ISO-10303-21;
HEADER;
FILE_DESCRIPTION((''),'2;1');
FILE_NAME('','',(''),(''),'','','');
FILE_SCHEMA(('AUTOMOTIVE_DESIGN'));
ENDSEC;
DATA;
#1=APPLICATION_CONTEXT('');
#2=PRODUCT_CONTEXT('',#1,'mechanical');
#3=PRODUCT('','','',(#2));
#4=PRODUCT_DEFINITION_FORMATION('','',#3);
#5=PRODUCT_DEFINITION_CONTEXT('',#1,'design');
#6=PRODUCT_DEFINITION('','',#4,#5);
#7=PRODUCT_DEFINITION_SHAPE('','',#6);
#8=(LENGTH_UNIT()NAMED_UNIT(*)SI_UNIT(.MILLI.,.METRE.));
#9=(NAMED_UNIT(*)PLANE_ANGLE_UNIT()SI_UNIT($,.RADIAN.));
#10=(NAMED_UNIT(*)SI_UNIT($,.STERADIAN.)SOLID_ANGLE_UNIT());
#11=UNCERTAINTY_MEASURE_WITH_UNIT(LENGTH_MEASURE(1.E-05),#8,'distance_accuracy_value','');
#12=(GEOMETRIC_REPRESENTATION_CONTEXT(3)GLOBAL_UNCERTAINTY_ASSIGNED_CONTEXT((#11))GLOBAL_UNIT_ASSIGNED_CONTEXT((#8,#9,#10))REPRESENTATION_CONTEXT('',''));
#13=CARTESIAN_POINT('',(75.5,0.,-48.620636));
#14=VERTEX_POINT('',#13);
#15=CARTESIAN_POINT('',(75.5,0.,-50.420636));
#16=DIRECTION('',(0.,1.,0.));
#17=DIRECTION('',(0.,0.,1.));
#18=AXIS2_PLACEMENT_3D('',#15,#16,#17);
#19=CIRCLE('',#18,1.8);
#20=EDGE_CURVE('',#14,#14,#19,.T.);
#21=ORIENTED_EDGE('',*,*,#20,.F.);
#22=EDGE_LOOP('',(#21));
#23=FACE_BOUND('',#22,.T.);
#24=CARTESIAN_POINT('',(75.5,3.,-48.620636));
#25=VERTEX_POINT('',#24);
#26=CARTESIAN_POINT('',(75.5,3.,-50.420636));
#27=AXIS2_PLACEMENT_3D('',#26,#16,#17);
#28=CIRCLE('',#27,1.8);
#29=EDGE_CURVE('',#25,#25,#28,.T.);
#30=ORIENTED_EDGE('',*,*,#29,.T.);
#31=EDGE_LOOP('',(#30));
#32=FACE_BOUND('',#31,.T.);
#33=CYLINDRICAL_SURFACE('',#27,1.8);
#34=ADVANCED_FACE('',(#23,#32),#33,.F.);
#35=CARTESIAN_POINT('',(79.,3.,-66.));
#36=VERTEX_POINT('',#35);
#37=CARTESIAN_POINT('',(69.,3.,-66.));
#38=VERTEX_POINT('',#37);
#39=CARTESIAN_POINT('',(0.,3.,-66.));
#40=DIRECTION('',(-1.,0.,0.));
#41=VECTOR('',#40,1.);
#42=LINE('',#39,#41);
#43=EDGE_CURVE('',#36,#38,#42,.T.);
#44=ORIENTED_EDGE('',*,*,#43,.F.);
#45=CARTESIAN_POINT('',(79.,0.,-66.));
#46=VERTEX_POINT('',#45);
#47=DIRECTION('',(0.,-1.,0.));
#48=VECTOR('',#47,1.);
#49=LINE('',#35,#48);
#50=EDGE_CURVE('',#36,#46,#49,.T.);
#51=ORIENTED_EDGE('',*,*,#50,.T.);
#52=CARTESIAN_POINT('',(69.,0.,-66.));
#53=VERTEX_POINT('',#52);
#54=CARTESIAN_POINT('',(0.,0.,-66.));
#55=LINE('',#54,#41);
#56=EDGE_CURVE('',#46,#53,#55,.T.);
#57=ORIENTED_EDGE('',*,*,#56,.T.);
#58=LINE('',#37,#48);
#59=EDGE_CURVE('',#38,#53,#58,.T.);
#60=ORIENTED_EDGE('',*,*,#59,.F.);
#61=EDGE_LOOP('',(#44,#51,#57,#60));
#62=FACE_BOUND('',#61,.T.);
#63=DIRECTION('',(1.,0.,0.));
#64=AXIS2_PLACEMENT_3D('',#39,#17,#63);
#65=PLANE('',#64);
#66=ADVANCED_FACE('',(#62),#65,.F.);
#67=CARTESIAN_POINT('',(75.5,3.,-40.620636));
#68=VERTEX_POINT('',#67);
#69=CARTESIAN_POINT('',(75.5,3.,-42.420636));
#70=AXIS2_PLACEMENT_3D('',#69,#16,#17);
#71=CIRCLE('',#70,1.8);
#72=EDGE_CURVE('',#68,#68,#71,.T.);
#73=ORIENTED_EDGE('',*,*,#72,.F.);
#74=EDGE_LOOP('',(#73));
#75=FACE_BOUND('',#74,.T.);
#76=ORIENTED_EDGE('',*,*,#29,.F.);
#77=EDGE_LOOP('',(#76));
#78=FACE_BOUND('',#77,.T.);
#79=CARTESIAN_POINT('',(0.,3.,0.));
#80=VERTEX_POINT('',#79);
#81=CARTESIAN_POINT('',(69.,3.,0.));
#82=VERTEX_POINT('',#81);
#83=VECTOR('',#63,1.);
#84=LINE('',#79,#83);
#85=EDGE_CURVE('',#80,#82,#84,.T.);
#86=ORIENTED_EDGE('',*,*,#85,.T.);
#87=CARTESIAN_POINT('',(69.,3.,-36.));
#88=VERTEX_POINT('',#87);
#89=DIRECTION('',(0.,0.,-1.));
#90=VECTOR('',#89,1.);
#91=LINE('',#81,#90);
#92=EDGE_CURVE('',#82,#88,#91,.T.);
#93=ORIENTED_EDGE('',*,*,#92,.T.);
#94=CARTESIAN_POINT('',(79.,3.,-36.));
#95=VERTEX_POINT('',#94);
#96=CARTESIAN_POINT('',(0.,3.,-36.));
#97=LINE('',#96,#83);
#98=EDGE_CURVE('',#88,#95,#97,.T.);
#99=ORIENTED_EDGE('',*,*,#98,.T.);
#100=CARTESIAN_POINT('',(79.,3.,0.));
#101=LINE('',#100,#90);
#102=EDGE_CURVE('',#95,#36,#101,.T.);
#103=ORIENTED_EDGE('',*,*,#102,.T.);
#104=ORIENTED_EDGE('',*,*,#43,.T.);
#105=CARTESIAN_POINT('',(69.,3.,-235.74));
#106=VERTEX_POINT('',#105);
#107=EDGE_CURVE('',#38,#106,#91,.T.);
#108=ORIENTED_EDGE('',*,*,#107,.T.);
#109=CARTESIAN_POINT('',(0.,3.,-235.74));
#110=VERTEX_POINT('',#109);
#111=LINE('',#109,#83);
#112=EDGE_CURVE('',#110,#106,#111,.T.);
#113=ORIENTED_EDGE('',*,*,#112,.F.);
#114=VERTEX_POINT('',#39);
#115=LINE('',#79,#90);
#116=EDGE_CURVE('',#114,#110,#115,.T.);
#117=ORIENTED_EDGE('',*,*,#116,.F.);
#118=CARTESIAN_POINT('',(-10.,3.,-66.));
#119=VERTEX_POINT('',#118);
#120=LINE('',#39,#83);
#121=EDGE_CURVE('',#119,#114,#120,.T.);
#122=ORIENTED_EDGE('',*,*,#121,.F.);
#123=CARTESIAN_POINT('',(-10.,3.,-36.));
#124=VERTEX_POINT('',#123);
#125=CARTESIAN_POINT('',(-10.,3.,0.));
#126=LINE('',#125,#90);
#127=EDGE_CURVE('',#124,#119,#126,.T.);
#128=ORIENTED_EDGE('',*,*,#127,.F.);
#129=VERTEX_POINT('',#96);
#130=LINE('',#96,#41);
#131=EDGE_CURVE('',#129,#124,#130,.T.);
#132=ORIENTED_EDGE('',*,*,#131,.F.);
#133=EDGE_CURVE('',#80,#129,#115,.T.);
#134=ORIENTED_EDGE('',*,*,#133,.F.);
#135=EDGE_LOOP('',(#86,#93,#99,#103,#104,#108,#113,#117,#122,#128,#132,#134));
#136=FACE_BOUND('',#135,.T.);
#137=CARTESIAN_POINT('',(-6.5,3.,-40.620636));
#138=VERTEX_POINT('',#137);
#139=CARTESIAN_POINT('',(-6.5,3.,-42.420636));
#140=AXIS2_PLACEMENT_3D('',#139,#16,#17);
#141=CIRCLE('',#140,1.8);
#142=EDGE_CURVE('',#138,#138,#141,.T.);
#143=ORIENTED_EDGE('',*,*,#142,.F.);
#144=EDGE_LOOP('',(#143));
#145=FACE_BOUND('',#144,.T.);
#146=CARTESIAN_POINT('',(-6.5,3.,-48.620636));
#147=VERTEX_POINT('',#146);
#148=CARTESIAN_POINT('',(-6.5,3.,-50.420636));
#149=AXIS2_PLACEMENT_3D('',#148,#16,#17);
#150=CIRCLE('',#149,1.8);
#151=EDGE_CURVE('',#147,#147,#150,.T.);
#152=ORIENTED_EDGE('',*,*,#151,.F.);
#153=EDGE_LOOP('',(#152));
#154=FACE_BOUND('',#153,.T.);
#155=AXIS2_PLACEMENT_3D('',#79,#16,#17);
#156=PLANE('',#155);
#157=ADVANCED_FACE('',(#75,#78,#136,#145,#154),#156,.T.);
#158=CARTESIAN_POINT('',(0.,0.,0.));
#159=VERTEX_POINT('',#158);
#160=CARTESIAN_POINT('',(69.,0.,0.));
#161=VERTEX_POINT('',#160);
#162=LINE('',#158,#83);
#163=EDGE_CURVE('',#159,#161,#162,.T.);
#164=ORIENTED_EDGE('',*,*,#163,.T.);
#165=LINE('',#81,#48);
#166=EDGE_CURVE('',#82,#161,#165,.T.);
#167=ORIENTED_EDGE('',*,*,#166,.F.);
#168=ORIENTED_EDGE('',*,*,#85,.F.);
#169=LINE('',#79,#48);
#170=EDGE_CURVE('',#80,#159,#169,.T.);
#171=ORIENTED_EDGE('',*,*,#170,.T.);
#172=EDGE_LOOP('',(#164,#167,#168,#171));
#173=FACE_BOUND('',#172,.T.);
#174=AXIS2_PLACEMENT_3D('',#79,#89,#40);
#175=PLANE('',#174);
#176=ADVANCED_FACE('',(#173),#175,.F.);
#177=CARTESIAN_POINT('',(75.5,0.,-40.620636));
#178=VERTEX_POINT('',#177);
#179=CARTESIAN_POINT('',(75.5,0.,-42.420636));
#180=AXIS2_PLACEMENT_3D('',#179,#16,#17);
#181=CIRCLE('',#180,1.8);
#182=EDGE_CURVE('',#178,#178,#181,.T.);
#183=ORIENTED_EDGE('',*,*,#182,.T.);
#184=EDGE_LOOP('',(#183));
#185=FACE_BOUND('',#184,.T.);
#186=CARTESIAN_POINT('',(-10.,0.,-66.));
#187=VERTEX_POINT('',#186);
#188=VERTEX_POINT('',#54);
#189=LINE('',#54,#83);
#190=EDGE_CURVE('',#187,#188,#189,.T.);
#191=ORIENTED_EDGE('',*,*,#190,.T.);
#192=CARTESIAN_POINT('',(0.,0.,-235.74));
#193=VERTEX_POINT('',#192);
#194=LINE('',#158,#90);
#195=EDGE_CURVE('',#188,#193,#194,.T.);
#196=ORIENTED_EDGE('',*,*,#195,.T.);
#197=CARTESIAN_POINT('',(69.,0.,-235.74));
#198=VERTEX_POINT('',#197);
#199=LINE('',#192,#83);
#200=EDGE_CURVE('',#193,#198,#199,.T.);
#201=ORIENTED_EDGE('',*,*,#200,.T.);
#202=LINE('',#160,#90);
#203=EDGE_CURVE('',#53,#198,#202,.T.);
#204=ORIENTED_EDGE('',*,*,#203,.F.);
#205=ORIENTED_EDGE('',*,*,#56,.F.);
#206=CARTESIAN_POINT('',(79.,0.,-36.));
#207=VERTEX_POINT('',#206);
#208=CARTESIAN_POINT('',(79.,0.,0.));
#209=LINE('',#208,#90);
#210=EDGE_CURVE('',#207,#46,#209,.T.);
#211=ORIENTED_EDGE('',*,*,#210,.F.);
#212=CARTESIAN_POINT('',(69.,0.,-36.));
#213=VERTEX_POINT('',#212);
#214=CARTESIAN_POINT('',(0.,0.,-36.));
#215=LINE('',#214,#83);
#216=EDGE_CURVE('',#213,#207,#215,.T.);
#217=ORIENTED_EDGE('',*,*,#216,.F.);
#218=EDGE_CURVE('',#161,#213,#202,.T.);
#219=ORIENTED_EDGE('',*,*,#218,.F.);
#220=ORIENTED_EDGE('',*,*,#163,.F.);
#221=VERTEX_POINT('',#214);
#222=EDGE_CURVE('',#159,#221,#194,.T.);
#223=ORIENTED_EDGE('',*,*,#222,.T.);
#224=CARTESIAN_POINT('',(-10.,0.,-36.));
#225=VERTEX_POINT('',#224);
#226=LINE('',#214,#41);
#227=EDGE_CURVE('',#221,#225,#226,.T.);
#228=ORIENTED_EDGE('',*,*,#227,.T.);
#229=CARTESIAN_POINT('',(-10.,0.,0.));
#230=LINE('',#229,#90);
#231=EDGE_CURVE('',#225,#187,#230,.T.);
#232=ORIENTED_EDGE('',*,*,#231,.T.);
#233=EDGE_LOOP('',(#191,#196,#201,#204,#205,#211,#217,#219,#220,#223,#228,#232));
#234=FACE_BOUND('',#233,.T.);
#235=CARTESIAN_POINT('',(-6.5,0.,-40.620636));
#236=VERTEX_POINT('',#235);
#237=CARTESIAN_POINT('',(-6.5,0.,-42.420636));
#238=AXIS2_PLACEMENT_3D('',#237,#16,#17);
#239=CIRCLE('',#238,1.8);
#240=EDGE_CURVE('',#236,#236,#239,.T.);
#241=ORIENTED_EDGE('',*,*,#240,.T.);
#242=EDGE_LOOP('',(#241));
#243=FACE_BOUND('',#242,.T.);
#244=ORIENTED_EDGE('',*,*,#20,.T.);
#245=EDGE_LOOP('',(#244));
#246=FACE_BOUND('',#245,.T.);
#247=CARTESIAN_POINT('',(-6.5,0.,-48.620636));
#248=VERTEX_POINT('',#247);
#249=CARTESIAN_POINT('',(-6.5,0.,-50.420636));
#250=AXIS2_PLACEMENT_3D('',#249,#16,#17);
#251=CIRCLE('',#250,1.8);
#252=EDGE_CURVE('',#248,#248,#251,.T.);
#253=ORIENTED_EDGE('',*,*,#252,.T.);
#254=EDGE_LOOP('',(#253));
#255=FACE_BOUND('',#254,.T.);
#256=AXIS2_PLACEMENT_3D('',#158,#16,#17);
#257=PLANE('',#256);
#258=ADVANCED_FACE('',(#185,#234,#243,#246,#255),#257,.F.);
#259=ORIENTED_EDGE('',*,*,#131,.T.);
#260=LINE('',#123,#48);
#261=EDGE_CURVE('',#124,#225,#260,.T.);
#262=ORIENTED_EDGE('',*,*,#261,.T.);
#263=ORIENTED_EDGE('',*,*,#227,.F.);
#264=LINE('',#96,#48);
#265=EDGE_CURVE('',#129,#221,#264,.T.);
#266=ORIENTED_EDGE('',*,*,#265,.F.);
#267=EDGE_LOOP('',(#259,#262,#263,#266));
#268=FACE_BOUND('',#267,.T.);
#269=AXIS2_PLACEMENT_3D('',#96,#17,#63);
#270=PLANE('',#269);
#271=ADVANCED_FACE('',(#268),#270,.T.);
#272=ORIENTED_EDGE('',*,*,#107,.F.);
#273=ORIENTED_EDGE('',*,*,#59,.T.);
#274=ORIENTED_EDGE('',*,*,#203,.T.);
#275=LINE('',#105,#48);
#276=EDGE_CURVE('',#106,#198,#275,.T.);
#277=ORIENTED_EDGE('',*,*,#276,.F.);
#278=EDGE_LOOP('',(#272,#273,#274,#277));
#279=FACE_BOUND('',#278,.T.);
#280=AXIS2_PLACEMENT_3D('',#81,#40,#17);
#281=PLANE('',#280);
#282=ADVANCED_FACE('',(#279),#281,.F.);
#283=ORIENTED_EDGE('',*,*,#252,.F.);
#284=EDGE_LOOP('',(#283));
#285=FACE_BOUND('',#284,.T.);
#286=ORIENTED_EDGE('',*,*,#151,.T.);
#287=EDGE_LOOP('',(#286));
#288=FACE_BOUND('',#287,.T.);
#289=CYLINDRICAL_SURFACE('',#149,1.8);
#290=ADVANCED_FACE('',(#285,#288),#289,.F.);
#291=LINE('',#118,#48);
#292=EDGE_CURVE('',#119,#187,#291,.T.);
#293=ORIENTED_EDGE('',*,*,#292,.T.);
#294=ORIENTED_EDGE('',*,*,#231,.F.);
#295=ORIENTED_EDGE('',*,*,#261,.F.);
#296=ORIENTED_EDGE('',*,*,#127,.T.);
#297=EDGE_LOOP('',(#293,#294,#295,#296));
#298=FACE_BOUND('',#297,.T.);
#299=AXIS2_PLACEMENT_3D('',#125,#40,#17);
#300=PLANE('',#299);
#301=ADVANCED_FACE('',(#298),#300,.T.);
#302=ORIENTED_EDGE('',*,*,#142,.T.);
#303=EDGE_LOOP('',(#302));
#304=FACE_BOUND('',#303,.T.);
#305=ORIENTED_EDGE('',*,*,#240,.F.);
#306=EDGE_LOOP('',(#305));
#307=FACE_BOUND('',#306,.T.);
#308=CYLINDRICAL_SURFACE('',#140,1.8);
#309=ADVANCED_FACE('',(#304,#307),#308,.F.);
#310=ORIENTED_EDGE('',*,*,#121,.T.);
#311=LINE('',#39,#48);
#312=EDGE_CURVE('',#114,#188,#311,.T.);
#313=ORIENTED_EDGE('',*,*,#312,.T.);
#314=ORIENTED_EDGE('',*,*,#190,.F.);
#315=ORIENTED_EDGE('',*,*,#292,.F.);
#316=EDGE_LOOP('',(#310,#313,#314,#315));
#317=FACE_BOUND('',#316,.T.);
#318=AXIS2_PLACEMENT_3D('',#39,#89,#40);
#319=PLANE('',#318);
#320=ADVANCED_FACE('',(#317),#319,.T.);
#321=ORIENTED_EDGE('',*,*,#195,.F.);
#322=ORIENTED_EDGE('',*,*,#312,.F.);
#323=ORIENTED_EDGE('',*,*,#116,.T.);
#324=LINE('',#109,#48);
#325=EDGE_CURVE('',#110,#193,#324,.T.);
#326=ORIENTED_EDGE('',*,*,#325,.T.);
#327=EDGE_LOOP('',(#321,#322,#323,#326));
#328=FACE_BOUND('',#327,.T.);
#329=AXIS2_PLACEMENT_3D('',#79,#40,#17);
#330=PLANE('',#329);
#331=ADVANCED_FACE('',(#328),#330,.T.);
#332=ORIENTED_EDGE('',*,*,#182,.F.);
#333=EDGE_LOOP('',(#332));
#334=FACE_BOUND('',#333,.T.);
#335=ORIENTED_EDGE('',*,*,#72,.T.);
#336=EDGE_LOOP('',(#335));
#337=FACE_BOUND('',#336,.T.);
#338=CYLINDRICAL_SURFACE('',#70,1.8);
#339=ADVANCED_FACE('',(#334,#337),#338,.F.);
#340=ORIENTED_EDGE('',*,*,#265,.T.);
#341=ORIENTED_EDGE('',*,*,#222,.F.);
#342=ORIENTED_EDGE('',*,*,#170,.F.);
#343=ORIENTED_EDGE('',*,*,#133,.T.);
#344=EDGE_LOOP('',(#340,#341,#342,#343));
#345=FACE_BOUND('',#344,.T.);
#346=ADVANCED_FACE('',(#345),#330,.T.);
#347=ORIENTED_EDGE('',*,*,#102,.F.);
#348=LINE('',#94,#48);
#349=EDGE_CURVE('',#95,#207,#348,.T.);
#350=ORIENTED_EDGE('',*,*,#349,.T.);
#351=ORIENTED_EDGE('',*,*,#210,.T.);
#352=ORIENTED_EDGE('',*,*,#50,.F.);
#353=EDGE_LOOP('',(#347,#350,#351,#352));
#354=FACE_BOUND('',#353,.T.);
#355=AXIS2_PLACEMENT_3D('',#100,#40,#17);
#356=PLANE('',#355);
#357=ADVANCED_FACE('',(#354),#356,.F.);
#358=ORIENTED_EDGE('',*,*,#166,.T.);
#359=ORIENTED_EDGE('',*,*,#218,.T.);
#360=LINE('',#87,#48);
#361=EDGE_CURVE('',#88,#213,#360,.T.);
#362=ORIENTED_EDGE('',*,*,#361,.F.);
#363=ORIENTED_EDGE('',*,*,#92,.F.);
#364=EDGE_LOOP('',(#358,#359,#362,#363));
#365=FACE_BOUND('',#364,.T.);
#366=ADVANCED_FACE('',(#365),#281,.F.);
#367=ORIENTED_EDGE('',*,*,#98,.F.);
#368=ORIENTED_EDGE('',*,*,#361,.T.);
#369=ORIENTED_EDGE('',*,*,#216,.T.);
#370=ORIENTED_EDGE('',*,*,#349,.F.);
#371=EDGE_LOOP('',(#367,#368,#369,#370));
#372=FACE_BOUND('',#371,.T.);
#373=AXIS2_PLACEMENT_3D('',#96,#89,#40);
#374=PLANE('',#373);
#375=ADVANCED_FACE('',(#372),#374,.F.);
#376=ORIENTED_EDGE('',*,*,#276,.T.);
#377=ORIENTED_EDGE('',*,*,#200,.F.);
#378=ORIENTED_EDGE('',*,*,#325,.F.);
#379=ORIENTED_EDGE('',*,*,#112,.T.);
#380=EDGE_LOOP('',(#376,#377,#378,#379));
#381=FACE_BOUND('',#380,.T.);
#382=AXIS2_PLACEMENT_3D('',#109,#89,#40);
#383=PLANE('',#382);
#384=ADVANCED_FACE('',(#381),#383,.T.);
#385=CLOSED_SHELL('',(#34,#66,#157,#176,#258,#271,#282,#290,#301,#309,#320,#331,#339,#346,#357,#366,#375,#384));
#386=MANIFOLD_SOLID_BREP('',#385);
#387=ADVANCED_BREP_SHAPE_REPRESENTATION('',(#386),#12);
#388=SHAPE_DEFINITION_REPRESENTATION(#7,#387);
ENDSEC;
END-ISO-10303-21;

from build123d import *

# Parameters (mm, degrees)
SKETCH5_W            = 10
SKETCH5_H            = 30
BOSS_EXTRUDE5_DEPTH  = 3
M3_CLEARANCE_HOLE1_D = 3.6


with BuildPart() as part:
    # Sketch5 → Boss-Extrude5 (new body)
    with BuildSketch(Plane(origin=(0, 0, 0), x_dir=(1, 0, 0), z_dir=(0, 1, 0))):
        with Locations((-5, 51)):
            Rectangle(SKETCH5_W, SKETCH5_H)
        Polygon((0, 0), (34.5, 0), (34.5, 235.74), (0, 235.74), (0, 66), (0, 36), align=None)
        Polygon((69, 0), (69, 36), (69, 66), (69, 235.74), (34.5, 235.74), (34.5, 0), align=None)
        with Locations((74, 51)):
            Rectangle(SKETCH5_W, SKETCH5_H)
    extrude(amount=BOSS_EXTRUDE5_DEPTH)

    # M3 Clearance Hole1 (through all)
    with Locations(Plane(origin=(0, 3, 0), x_dir=(1, 0, 0), z_dir=(0, 1, 0))):
        with Locations((75.5, 50.420635549), (75.5, 42.420635549)):
            m3_clearance_hole1 = Hole(M3_CLEARANCE_HOLE1_D / 2)

    # Mirror1: M3 Clearance Hole1 across plane
    add(m3_clearance_hole1.mirror(Plane(origin=(34.5, 0, 0), x_dir=(0, 0, 1), z_dir=(1, 0, 0))), mode=Mode.SUBTRACT)


solid = part.part
